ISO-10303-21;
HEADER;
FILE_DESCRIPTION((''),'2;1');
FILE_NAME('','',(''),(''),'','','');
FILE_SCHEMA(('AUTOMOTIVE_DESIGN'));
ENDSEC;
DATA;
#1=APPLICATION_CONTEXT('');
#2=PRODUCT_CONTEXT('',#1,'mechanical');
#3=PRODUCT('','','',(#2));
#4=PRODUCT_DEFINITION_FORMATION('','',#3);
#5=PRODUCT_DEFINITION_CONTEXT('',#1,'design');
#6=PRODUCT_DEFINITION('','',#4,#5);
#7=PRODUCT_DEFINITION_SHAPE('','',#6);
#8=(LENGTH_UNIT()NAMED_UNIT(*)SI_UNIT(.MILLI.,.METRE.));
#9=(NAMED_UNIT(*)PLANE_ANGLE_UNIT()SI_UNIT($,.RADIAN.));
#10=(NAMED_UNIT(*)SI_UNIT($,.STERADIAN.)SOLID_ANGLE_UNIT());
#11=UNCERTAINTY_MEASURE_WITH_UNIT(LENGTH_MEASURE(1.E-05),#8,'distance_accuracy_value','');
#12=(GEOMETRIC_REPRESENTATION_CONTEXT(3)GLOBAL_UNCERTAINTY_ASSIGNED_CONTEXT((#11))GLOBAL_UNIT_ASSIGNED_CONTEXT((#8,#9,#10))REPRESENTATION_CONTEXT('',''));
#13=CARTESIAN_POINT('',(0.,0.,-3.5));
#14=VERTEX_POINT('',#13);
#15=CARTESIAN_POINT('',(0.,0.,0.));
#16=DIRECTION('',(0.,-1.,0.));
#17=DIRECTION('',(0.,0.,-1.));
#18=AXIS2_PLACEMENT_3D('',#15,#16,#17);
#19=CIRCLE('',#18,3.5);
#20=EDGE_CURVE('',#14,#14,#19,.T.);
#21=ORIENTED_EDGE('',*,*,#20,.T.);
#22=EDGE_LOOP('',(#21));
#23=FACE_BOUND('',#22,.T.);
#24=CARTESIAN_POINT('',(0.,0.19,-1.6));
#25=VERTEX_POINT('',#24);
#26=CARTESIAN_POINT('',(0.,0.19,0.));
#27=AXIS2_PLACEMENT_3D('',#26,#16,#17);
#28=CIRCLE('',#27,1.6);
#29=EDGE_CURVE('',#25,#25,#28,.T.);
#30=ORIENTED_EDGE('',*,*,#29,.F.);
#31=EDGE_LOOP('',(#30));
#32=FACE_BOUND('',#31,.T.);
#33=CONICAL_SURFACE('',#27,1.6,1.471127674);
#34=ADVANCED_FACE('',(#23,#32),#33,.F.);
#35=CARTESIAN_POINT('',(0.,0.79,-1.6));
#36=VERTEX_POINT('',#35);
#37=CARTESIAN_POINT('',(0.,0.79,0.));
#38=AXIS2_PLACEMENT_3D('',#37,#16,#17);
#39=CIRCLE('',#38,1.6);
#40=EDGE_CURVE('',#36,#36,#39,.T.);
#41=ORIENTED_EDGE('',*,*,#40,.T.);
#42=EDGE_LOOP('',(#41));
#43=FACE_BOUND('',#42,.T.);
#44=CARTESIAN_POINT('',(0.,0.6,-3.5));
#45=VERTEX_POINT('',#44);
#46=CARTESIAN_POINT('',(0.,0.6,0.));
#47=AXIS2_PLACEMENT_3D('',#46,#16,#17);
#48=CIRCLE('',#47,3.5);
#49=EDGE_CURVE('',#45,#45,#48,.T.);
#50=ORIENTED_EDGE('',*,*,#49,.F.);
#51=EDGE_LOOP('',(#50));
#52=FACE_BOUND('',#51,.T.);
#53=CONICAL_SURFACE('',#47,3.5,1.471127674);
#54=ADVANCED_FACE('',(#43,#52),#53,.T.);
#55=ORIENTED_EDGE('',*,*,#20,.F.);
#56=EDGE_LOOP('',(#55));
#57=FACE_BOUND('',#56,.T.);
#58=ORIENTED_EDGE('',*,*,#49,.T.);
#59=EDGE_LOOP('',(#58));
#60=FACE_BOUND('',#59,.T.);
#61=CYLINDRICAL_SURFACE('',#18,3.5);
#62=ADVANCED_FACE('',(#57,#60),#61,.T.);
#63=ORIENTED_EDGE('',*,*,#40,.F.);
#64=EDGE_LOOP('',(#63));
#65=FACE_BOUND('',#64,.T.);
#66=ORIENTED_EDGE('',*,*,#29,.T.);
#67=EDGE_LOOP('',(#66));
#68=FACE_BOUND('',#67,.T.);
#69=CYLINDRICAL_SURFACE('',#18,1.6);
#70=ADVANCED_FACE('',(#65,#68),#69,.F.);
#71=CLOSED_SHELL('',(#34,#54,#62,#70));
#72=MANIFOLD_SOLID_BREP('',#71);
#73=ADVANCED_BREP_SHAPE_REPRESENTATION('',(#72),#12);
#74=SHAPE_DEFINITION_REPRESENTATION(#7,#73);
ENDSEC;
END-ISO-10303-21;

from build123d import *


with BuildPart() as part:
    # Sketch1 → Revolve1 (revolve)
    with BuildSketch(Plane.XY):
        Polygon((1.6, 0.79), (1.6, 0.19), (3.5, 0), (3.5, 0.6), align=None)
    revolve(axis=Axis((0, 0, 0), (0, 1, 0)))


solid = part.part
